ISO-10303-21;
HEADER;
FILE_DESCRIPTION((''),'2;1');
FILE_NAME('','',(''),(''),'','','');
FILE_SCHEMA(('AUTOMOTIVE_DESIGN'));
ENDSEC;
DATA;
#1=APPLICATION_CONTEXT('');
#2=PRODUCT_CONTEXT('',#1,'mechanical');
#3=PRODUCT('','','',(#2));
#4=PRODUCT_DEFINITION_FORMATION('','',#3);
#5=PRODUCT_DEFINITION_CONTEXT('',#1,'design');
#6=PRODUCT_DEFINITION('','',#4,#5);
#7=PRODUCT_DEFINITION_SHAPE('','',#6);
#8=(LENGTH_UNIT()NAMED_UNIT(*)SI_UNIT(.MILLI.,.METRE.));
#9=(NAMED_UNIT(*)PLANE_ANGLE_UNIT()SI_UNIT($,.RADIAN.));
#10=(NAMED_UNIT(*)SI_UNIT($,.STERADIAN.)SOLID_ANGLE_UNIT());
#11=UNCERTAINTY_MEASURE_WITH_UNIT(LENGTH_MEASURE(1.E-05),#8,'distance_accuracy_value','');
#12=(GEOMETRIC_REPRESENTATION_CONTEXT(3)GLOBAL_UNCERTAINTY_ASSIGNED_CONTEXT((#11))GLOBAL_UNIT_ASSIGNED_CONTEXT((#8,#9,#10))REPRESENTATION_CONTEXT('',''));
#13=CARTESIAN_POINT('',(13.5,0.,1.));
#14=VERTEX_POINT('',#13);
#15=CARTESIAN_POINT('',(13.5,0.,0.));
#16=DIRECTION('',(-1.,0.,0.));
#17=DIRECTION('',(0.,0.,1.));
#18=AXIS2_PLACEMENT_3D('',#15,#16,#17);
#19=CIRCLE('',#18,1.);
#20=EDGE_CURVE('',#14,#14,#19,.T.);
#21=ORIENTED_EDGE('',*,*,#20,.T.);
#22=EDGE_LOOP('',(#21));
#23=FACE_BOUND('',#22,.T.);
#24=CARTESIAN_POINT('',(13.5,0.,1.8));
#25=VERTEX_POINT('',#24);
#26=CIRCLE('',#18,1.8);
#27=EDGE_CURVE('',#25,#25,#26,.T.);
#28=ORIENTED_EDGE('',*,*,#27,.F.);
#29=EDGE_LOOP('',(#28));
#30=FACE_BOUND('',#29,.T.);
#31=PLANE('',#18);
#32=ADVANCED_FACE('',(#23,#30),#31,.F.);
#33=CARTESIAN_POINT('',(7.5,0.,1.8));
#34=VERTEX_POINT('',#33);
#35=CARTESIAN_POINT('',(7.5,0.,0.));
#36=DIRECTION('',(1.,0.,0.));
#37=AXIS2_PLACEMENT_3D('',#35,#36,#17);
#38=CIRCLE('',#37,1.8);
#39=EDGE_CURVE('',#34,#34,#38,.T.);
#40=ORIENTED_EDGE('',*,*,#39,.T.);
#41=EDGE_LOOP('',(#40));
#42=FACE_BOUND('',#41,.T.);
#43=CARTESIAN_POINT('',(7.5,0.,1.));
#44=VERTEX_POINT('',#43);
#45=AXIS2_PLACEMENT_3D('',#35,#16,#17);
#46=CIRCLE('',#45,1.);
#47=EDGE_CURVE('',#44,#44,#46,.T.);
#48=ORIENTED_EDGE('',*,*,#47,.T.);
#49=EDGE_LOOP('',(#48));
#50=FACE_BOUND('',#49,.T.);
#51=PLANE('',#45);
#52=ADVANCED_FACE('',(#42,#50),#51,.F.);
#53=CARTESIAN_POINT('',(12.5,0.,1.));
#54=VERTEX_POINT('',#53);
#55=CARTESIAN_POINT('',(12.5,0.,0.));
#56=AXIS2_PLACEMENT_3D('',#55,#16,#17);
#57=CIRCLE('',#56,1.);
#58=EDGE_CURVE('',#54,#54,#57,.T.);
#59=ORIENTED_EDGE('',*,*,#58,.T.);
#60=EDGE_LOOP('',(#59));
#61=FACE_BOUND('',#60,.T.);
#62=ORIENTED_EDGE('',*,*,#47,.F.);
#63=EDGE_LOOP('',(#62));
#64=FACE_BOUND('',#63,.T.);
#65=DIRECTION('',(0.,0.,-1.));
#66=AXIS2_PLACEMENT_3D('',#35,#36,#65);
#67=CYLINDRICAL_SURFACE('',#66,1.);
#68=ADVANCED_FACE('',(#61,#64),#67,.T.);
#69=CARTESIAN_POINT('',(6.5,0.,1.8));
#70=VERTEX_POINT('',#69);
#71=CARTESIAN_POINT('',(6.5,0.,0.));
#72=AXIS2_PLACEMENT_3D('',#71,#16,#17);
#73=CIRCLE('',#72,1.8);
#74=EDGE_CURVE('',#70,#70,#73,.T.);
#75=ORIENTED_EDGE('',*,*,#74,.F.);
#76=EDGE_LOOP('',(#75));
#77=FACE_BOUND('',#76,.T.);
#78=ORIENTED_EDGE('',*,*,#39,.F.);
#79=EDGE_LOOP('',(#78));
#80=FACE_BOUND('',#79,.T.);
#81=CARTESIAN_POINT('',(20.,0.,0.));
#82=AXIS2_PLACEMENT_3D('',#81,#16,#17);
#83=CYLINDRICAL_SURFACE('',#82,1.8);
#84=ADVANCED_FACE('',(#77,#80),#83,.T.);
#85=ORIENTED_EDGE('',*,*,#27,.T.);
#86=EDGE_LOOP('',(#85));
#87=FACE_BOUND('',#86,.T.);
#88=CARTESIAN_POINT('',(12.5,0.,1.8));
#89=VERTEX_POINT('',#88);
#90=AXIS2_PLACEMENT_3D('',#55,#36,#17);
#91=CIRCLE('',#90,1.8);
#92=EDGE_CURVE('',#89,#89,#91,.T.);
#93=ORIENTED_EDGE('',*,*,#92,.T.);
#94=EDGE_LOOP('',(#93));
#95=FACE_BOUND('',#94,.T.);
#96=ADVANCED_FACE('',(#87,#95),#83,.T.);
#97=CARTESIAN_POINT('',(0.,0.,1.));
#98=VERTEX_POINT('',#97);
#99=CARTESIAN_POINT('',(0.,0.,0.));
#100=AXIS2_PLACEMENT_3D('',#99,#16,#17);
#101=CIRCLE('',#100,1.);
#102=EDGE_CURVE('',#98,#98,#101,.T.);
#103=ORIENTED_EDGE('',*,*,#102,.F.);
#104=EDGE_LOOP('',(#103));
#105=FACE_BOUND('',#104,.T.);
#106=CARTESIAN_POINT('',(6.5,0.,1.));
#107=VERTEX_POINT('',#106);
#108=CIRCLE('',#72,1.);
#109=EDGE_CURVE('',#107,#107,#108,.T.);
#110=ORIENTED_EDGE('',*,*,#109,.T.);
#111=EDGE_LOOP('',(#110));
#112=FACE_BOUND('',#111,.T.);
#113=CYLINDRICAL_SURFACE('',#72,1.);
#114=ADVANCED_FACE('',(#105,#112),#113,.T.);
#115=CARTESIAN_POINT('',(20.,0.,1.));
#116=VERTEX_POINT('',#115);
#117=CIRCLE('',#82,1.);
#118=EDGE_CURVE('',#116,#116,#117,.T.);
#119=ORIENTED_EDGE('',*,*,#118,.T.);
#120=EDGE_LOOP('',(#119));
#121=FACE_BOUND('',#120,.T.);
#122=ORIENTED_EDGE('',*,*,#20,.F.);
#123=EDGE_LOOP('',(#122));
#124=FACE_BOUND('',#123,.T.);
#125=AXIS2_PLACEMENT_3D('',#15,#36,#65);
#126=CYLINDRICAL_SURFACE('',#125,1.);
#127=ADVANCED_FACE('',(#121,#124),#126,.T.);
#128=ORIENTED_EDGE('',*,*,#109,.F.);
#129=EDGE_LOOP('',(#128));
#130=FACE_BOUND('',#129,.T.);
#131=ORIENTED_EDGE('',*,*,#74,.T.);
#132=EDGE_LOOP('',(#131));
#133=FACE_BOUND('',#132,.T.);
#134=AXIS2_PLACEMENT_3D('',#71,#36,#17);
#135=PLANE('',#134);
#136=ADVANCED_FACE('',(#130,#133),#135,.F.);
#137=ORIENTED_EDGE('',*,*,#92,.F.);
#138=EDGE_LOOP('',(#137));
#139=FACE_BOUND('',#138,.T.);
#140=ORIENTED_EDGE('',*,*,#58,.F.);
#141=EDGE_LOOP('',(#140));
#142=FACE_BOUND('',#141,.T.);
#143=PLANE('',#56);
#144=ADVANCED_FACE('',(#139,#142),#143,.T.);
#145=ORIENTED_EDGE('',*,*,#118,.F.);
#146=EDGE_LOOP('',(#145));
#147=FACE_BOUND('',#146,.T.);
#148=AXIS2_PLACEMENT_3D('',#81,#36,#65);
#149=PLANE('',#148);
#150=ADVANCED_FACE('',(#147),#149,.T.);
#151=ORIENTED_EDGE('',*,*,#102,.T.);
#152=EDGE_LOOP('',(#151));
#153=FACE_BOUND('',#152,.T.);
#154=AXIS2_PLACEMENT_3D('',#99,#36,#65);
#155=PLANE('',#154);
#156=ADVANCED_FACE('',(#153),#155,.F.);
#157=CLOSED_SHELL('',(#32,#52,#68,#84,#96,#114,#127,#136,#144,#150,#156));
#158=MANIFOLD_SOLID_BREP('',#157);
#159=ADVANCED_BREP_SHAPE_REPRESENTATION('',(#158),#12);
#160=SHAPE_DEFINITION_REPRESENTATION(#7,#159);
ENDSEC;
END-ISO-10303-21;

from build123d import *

# Parameters (mm, degrees)
SKETCH1_R            = 1.8
BOSS_EXTRUDE1_DEPTH  = 20
CUT_EXTRUDE1_DEPTH   = 6.5
CUT_EXTRUDE2_DEPTH   = 5
MIRROR2_COPY_1_DEPTH = 6.5


with BuildPart() as part:
    # Sketch1 → Boss-Extrude1 (new body)
    with BuildSketch(Plane(origin=(0, 0, 0), x_dir=(0, 0, -1), z_dir=(1, 0, 0))):
        Circle(SKETCH1_R)
    extrude(amount=BOSS_EXTRUDE1_DEPTH)

    # Sketch2 → Cut-Extrude1 (cut)
    with BuildSketch(Plane(origin=(20, 0, 0), x_dir=(0, 0, -1), z_dir=(1, 0, 0))):
        with BuildLine():
            Line((-1, 0), (-1.8, 0))
            ThreePointArc((-1.8, 0), (0, 1.8), (1.8, 0))
            Line((1.8, 0), (1, 0))
            ThreePointArc((1, 0), (0, 1), (-1, 0))
        make_face()
    cut_extrude1 = extrude(amount=-CUT_EXTRUDE1_DEPTH, mode=Mode.SUBTRACT)

    # Sketch3 → Cut-Extrude2 (cut)
    with BuildSketch(Plane(origin=(12.5, 0, 0), x_dir=(0, 0, -1), z_dir=(1, 0, 0))):
        with BuildLine():
            Line((-1, 0), (-1.8, 0))
            ThreePointArc((-1.8, 0), (0, 1.8), (1.8, 0))
            Line((1.8, 0), (1, 0))
            ThreePointArc((1, 0), (0, 1), (-1, 0))
        make_face()
    cut_extrude2 = extrude(amount=-CUT_EXTRUDE2_DEPTH, mode=Mode.SUBTRACT)

    # Mirror1: Cut-Extrude1 across plane
    add(cut_extrude1.mirror(Plane(origin=(10, 0, 0), x_dir=(0, 0, 1), z_dir=(1, 0, 0))), mode=Mode.SUBTRACT)

    # Mirror2: Cut-Extrude2, Cut-Extrude1 across plane
    add(cut_extrude2.mirror(Plane.ZX), mode=Mode.SUBTRACT)
    add(cut_extrude1.mirror(Plane.ZX), mode=Mode.SUBTRACT)

    # Mirror2 copy 1 sketch → Mirror2 copy 1 (cut)
    with BuildSketch(Plane(origin=(0, 0, 0), x_dir=(0, 0, -1), z_dir=(-1, 0, 0))):
        with BuildLine():
            Line((-1, 0), (-1.8, 0))
            ThreePointArc((-1.8, 0), (0, 1.8), (1.8, 0))
            Line((1.8, 0), (1, 0))
            ThreePointArc((1, 0), (0, 1), (-1, 0))
        make_face()
    extrude(amount=-MIRROR2_COPY_1_DEPTH, mode=Mode.SUBTRACT)


solid = part.part
